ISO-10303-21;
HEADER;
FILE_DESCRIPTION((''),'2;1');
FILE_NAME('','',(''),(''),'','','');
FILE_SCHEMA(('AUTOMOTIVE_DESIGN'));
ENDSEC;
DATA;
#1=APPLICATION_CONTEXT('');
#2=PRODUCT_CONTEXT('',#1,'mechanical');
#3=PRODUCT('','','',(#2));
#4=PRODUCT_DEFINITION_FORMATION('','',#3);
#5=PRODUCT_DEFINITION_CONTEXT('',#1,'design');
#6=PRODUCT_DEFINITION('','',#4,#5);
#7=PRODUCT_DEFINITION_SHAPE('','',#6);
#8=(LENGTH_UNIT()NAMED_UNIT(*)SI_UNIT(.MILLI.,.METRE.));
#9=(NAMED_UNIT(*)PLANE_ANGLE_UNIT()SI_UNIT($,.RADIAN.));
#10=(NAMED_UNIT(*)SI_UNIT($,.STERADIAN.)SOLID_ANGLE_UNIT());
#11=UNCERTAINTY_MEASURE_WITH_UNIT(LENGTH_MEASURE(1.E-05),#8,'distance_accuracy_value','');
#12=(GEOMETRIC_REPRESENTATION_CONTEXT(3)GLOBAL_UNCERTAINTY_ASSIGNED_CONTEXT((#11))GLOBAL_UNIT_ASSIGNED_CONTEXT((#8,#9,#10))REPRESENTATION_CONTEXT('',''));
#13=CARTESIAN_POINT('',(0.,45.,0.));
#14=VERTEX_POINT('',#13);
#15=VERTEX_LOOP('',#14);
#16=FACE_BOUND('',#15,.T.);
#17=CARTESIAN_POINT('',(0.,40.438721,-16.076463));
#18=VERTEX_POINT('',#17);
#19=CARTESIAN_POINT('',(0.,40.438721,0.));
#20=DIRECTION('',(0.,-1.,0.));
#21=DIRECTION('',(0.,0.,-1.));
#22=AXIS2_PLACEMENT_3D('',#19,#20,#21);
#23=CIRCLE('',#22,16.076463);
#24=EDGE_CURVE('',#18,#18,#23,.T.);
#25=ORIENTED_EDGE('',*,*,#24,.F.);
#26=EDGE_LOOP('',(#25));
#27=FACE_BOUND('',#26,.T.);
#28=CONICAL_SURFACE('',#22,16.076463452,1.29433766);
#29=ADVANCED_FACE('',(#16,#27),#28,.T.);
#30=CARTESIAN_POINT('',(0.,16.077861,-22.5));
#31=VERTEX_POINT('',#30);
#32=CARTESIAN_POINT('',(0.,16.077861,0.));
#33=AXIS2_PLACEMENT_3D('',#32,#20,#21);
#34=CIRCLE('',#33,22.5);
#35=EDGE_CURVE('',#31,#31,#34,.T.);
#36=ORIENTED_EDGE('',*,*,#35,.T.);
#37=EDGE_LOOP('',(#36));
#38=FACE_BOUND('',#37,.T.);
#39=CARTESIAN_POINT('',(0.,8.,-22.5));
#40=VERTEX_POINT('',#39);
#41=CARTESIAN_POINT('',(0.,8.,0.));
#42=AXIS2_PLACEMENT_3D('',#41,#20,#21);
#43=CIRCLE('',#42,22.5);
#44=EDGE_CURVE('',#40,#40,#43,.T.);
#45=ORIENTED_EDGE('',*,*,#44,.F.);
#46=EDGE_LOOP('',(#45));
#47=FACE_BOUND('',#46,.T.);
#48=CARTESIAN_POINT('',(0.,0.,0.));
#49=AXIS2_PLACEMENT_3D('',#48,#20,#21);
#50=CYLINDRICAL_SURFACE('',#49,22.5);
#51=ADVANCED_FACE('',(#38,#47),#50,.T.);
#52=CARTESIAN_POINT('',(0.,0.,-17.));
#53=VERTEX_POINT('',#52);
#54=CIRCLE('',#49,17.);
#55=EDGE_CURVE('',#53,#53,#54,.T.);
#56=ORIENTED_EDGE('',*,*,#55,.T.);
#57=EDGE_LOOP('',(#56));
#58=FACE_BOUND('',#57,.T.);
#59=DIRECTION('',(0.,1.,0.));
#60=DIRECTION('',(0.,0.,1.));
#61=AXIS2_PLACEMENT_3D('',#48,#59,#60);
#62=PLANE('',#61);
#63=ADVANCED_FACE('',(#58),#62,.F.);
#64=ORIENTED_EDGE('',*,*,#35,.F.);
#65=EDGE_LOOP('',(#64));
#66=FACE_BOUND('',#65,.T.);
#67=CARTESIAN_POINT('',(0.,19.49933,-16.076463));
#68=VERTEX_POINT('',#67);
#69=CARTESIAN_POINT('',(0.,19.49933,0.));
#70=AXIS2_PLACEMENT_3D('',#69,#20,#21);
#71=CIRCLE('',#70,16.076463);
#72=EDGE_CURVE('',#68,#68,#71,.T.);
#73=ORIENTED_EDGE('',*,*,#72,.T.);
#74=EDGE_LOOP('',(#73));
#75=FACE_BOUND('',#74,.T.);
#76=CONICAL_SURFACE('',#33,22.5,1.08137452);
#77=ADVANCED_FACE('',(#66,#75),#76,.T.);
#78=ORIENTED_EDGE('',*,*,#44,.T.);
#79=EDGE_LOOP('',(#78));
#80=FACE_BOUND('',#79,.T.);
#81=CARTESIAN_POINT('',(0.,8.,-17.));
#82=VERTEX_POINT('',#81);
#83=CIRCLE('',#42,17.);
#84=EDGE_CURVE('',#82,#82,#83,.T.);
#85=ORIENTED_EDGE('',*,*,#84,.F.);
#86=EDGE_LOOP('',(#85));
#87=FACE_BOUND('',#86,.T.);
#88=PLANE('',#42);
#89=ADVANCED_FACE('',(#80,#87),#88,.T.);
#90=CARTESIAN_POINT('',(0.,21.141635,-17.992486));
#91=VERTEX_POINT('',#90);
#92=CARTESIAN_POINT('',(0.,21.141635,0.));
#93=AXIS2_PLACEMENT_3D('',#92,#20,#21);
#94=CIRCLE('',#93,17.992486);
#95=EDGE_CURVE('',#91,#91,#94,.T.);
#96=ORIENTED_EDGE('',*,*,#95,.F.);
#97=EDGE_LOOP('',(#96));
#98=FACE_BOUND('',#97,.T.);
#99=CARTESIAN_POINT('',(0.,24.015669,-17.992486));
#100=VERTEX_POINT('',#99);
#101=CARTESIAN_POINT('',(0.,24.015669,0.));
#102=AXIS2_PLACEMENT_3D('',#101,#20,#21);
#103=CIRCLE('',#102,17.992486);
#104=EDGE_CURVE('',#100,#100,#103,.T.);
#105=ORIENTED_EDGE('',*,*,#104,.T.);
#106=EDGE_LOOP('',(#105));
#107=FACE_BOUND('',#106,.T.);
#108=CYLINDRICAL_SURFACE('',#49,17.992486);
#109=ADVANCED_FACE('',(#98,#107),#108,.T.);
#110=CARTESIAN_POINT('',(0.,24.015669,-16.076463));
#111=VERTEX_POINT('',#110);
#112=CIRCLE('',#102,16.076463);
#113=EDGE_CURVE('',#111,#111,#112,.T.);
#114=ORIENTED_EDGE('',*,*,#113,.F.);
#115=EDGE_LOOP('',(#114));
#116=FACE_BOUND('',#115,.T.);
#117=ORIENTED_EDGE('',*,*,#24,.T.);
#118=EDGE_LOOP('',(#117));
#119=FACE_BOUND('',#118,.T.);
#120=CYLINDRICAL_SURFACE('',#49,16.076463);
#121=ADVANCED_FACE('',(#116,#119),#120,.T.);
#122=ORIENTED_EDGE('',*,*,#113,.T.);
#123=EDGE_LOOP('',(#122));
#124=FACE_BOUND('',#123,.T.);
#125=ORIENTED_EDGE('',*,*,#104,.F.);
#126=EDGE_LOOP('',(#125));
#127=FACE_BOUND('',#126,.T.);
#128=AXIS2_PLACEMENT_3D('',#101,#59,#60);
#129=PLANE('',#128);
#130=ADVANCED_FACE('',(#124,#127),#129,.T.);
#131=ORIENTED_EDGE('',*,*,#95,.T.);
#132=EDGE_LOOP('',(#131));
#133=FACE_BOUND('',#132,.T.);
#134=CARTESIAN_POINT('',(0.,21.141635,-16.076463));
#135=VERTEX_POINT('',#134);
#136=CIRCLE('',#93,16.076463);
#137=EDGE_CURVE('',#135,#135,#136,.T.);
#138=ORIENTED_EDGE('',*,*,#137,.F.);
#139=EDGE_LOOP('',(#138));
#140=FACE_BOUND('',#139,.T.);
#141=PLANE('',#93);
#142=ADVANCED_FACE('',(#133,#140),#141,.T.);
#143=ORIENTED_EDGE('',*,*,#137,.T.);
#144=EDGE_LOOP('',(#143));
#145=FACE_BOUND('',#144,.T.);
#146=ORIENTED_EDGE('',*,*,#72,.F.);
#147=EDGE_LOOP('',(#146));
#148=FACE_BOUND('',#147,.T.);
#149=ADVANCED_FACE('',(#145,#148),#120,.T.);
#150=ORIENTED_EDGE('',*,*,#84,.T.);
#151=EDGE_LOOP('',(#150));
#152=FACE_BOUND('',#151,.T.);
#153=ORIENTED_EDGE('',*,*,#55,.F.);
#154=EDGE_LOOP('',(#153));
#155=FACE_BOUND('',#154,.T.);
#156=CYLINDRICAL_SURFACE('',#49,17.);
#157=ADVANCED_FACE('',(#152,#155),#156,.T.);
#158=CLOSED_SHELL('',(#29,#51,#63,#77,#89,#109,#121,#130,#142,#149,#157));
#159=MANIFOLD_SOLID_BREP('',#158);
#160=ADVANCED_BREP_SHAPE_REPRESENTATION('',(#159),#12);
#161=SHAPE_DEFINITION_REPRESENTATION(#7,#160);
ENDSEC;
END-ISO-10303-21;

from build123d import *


with BuildPart() as part:
    # Croquis1 → Revolución1 (revolve)
    with BuildSketch(Plane.XY, mode=Mode.PRIVATE) as revoluci_n1_sk:
        Polygon((17, 0), (0, 0), (0, 45), (16.076463452, 40.438720629), (16.076463452, 24.015669315), (17.992486105, 24.015669315), (17.992486105, 21.141635335), (16.076463452, 21.141635335), (16.076463452, 19.499330204), (22.5, 16.07786118), (22.5, 8), (17, 8), align=None)
    revolve(revoluci_n1_sk.sketch.rotate(Axis((0, 0, 0), (0, 1, 0)), 90), axis=Axis((0, 0, 0), (0, 1, 0)))


solid = part.part
